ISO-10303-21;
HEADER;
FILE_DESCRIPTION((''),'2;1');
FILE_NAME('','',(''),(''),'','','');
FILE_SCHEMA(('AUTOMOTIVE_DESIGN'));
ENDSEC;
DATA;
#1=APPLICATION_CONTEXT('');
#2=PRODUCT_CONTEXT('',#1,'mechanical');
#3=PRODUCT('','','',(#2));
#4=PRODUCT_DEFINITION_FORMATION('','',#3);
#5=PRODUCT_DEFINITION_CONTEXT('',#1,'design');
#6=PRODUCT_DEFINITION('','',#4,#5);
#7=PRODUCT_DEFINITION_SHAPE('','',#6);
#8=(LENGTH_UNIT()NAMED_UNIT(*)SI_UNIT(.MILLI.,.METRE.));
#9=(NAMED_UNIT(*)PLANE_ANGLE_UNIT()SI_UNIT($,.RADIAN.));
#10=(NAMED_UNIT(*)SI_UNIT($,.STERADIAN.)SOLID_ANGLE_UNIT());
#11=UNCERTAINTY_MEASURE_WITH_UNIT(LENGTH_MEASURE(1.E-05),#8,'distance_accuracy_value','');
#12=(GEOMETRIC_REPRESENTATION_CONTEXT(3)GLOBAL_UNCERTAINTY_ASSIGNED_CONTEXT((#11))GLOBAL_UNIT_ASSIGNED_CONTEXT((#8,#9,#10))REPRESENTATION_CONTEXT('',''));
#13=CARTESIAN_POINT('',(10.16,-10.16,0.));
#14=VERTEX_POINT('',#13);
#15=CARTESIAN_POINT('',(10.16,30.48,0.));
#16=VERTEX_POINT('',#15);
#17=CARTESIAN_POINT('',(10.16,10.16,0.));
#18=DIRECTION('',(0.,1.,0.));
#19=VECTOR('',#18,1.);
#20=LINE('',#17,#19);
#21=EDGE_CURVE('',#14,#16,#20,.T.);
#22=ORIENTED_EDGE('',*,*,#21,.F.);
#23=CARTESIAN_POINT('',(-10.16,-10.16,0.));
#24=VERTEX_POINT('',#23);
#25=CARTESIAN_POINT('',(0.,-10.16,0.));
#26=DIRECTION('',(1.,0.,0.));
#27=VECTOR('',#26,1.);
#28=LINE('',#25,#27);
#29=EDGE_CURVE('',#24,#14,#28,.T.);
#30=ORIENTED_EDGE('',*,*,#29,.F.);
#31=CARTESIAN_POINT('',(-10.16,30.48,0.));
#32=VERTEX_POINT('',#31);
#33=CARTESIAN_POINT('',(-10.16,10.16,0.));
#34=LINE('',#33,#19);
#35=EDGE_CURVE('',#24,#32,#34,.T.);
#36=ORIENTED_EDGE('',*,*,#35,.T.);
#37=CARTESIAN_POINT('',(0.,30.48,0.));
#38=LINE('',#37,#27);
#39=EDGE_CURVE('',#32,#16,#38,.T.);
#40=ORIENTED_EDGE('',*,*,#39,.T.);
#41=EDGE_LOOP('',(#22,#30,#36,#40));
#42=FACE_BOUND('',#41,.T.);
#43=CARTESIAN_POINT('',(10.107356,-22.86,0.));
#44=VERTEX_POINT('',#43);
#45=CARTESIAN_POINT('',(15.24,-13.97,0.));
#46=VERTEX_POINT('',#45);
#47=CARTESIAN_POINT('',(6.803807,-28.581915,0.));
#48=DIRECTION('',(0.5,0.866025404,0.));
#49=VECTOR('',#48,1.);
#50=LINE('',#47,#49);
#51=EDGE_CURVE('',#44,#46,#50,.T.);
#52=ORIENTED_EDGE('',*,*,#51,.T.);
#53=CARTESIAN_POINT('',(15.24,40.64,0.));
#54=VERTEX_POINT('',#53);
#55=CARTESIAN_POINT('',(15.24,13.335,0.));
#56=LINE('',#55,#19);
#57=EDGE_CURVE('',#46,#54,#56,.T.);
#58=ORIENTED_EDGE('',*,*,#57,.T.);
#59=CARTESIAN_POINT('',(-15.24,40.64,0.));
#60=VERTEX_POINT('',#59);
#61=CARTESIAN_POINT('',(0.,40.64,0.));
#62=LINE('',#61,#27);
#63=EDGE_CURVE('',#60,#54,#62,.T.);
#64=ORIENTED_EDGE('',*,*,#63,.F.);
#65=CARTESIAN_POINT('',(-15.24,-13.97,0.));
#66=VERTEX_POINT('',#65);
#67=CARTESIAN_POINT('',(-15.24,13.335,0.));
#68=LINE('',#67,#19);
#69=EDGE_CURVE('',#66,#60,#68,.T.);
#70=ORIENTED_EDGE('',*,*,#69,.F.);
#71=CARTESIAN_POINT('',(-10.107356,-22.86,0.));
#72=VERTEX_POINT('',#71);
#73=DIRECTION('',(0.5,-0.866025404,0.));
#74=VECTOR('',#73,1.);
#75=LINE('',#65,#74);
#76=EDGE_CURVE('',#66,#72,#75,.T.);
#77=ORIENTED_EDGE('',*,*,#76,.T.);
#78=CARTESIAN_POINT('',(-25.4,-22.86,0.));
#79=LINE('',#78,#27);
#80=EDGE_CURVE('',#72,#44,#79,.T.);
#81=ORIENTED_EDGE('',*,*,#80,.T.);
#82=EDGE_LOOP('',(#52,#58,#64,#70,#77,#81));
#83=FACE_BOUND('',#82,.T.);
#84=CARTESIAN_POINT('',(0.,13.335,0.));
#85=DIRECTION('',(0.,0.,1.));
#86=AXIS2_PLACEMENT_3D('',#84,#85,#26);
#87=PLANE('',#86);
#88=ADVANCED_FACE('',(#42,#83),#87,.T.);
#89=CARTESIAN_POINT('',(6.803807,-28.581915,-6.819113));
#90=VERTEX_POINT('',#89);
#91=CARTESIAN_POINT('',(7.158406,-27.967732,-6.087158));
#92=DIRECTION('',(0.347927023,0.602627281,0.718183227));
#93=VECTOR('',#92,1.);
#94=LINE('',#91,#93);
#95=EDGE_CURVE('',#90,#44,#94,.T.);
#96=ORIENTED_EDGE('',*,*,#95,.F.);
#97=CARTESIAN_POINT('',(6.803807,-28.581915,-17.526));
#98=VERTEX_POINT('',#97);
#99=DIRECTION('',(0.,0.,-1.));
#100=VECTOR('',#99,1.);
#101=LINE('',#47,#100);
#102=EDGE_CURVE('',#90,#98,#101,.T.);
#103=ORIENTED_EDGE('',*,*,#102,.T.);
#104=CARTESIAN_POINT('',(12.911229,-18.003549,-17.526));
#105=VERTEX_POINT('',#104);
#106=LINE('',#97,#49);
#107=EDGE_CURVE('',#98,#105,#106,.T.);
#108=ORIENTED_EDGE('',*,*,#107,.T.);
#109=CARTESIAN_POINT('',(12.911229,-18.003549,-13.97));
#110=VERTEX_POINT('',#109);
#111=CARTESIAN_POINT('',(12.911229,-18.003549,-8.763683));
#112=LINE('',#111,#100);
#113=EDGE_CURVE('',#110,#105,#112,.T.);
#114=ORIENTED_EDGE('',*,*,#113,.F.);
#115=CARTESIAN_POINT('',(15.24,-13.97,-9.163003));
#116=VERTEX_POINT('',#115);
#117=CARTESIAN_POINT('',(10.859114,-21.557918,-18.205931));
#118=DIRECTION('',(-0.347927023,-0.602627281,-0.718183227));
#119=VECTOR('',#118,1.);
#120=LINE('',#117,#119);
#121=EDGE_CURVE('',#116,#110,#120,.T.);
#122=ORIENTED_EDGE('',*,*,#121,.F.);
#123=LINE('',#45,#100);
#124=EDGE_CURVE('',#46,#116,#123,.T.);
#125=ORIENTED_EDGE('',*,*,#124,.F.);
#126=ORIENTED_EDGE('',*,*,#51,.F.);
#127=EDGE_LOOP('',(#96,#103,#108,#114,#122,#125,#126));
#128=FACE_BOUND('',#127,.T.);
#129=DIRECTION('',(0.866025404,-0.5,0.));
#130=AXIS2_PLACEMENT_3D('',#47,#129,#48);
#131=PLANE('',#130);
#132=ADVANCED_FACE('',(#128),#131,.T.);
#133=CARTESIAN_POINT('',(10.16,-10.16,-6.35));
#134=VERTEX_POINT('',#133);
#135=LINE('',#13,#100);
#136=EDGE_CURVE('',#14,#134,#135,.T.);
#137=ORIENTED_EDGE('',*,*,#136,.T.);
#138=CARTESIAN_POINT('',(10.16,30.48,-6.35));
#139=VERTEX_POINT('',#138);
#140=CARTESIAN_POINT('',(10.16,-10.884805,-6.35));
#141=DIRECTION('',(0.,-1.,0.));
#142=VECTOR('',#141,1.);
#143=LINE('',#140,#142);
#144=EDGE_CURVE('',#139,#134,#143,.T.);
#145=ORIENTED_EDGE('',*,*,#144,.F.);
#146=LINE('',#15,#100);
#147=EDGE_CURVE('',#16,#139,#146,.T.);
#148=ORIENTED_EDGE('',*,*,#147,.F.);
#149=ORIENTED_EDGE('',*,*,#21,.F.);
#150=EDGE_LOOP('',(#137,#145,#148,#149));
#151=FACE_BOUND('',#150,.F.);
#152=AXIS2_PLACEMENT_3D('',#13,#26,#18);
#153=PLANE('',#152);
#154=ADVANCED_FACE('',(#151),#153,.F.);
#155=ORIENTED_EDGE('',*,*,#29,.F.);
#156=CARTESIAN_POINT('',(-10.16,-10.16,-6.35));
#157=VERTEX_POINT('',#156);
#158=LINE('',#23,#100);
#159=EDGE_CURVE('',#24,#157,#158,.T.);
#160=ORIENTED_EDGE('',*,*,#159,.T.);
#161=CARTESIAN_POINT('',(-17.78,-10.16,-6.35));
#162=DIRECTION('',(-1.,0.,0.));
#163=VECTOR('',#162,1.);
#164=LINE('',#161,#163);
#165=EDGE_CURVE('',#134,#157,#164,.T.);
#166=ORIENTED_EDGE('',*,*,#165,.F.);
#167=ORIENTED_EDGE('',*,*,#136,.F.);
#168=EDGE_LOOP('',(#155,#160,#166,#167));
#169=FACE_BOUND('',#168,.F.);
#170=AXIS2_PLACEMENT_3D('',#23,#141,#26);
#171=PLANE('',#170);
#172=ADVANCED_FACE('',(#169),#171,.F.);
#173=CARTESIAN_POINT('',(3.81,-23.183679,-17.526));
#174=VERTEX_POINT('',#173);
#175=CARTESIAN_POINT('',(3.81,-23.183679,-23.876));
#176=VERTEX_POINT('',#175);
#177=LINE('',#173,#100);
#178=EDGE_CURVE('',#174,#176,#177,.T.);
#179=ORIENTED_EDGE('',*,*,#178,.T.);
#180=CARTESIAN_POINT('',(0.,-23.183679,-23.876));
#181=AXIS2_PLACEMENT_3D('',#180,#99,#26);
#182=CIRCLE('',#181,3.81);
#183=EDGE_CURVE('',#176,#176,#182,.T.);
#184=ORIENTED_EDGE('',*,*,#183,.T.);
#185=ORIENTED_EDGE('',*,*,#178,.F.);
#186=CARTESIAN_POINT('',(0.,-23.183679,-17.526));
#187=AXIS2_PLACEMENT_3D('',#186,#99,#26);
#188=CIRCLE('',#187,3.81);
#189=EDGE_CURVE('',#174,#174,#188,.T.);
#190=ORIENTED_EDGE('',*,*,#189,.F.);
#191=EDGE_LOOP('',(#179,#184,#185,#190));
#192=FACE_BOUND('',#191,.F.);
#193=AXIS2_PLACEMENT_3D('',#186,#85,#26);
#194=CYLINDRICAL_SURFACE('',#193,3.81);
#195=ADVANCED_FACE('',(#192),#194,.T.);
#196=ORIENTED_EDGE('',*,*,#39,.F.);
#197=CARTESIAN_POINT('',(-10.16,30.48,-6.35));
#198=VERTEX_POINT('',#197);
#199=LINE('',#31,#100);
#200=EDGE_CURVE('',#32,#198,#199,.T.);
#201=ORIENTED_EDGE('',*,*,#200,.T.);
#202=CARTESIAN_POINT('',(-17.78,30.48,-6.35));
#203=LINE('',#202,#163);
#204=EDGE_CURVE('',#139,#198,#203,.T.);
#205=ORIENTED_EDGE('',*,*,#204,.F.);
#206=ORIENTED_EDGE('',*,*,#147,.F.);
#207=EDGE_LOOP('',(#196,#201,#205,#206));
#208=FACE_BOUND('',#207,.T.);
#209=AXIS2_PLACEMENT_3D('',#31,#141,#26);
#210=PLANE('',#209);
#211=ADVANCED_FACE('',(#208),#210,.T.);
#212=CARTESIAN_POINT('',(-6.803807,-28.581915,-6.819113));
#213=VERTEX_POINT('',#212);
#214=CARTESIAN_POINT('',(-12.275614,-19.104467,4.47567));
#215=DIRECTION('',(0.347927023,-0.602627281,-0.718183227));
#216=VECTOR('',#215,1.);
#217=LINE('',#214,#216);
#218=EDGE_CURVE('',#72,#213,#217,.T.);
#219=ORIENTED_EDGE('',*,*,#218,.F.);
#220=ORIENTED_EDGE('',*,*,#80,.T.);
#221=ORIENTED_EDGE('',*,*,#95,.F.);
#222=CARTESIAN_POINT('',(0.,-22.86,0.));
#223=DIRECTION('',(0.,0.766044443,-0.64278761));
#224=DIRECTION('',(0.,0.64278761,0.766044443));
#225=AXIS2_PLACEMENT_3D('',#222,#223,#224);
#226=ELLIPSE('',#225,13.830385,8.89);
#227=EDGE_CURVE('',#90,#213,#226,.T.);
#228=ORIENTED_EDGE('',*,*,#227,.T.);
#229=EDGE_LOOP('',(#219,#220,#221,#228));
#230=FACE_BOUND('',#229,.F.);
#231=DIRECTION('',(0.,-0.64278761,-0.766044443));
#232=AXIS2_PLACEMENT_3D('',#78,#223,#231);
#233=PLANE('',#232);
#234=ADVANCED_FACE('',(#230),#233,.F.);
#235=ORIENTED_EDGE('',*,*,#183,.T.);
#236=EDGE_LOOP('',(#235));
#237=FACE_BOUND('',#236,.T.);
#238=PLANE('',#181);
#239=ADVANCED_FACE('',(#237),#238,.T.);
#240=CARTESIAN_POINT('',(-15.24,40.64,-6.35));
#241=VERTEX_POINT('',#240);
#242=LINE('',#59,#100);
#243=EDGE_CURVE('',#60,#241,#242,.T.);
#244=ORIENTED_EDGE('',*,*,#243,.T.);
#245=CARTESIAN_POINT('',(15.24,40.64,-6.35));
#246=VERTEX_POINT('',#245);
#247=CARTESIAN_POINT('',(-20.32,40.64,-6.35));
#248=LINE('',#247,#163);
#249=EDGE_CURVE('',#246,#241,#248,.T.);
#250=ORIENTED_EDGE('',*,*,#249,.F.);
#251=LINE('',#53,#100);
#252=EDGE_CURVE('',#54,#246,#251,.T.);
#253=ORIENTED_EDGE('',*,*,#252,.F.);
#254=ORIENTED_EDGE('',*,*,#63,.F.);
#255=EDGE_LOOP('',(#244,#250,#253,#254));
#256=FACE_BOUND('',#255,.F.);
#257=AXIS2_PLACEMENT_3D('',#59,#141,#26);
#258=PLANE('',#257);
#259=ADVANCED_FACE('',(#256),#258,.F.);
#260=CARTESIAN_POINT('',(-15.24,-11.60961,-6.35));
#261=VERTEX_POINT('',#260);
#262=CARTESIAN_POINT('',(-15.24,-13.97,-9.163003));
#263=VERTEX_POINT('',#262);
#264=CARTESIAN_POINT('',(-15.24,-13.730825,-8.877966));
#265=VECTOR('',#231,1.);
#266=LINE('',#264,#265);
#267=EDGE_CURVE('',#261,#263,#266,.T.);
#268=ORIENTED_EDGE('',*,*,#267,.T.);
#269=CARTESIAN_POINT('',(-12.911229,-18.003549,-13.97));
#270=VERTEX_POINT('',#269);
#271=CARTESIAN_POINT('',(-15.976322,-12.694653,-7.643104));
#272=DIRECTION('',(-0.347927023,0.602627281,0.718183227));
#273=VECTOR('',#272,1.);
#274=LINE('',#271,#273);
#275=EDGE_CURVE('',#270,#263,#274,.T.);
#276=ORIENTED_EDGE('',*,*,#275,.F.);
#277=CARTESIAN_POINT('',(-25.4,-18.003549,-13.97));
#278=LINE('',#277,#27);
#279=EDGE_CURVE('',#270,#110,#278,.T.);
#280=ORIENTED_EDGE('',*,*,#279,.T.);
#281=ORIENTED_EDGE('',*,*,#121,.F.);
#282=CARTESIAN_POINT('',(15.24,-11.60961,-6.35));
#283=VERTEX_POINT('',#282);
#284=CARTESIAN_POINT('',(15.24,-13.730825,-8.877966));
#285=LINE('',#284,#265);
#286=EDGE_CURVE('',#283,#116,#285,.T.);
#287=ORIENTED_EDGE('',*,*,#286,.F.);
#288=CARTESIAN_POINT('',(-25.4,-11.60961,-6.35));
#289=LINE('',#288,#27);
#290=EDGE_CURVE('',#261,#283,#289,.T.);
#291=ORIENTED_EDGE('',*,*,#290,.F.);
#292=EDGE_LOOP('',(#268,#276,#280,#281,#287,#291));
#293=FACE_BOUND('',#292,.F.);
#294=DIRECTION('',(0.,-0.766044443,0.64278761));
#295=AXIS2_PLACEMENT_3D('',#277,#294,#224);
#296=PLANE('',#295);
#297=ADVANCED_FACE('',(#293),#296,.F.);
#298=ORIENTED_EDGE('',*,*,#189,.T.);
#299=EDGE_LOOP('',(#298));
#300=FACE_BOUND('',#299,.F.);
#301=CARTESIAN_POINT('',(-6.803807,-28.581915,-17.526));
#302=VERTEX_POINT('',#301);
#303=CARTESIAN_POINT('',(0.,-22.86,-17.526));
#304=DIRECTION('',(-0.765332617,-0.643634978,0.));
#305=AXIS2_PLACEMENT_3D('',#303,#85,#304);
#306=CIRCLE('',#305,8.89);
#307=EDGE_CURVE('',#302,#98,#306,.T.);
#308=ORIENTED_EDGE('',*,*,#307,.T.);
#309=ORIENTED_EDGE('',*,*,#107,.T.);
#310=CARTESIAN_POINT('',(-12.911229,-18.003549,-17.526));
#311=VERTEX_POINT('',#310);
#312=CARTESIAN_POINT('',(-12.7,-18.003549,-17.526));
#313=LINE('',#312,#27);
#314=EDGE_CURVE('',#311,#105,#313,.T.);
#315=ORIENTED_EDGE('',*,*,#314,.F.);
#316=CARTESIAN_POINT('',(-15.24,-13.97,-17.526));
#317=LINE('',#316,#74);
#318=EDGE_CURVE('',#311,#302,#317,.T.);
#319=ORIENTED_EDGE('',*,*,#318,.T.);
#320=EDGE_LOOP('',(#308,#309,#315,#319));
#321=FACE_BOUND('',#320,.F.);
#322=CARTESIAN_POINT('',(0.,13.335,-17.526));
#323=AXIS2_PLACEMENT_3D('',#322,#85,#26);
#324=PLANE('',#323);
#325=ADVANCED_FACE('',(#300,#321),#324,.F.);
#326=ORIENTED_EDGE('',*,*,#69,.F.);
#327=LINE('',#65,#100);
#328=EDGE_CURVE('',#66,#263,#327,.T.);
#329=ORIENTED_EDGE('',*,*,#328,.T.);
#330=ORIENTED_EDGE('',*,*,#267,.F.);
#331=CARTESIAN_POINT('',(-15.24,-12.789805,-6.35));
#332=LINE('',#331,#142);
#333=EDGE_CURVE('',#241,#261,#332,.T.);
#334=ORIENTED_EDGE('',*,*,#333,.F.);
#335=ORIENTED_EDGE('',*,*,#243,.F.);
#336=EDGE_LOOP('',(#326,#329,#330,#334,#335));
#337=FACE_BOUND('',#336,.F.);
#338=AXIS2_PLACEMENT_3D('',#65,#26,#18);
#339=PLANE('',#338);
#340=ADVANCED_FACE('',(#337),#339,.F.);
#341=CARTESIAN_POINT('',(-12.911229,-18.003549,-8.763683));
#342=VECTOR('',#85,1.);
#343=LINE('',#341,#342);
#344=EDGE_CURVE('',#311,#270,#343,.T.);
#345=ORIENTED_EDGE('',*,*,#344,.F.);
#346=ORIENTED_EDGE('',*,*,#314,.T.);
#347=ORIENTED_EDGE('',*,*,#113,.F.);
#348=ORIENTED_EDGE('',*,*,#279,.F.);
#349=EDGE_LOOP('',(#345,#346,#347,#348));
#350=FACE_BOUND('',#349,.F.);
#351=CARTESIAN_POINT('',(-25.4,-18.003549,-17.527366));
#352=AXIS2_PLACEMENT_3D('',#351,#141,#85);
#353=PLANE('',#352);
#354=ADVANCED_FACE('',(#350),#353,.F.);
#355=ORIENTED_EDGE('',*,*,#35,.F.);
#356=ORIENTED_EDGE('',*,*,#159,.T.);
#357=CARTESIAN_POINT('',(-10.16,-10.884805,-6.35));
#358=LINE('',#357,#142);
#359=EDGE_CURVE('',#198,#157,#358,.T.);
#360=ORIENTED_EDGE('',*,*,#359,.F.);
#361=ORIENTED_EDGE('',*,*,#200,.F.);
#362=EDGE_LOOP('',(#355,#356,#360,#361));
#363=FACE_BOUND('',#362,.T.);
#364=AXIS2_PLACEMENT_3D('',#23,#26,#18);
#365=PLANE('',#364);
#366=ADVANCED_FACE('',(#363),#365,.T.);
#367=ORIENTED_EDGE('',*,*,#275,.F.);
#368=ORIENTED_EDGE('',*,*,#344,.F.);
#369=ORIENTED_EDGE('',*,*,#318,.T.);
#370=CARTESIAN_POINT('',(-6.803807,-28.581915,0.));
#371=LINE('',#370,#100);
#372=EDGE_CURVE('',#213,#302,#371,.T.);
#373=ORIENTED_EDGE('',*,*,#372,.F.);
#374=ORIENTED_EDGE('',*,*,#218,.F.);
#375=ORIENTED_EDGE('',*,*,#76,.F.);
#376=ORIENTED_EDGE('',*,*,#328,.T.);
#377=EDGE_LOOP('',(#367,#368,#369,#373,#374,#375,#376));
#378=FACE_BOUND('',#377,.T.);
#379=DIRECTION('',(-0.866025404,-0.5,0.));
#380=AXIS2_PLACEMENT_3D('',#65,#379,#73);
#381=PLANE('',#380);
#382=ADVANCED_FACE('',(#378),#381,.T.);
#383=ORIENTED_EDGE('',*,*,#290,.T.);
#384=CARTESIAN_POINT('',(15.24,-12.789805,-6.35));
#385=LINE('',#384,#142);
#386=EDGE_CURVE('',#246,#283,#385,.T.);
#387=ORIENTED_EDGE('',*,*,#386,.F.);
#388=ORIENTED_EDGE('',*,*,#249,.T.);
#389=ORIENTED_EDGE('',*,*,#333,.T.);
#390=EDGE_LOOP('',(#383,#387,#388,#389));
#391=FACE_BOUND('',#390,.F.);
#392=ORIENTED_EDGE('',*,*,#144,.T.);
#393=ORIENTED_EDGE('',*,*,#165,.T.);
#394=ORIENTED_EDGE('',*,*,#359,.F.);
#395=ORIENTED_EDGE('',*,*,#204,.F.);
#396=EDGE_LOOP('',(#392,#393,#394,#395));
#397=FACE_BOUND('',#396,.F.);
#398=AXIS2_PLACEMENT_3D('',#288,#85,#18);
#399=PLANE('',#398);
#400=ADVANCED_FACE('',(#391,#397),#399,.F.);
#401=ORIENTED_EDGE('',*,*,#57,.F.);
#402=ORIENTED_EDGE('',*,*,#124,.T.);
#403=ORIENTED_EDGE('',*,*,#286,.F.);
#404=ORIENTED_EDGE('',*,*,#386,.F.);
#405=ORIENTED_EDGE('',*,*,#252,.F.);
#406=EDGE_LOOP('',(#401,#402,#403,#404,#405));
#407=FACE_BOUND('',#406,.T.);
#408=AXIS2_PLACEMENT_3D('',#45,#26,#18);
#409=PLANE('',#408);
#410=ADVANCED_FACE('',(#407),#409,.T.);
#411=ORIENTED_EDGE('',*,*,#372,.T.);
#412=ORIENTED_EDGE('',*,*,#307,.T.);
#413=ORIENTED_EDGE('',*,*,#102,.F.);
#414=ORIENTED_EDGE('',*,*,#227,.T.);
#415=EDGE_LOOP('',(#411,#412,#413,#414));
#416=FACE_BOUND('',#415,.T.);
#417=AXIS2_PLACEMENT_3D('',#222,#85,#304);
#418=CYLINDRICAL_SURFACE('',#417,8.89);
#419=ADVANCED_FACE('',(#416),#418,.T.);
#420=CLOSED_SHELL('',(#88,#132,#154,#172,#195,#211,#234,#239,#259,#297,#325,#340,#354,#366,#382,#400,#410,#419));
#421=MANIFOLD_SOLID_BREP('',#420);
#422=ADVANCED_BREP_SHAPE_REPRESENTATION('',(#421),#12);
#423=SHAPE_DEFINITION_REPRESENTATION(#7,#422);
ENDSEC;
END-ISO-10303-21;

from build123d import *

# Parameters (mm, degrees)
F0_W     = 30.48
F0_H     = 54.61
F0_W_2   = 20.32
F0_H_2   = 40.64
F2_DEPTH = 17.526
F4_START = -25.4
F4_DEPTH = 40.641
F5_R     = 3.81
F6_DEPTH = 6.35


with BuildPart() as f2:
    # F0 (on Top) → F2 (new body)
    with BuildSketch(Plane.XY):
        with Locations((0, 13.335)):
            Rectangle(F0_W, F0_H)
        with Locations((0, 10.16)):
            Rectangle(F0_W_2, F0_H_2, mode=Mode.SUBTRACT)
        with BuildLine():
            Line((15.24, -13.97), (-15.24, -13.97))
            Line((-15.24, -13.97), (-6.8038069676, -28.5819149546))
            ThreePointArc((-6.8038069676, -28.5819149546), (0, -31.75), (6.8038069676, -28.5819149546))
            Line((6.8038069676, -28.5819149546), (15.24, -13.97))
        make_face()
    extrude(amount=-F2_DEPTH)

    # F3 (on Right) → F4 (intersect)
    with BuildSketch(Plane.YZ.offset(F4_START)):
        Polygon((40.7838374376, 0), (0, 0), (-22.86, 0), (-31.9106747376, -10.7861741339), (-31.9106747376, -17.527366057), (-18.003549273, -17.527366057), (-18.003549273, -13.97), (-11.6096100835, -6.35), (40.7838374376, -6.35), align=None)
    extrude(amount=F4_DEPTH, mode=Mode.INTERSECT)

    # F5 (on face) → F6 (join)
    with BuildSketch(Plane(origin=(0, 0, -17.526), x_dir=(1, 0, 0), z_dir=(0, 0, -1))):
        with Locations((0, 23.183679186)):
            Circle(F5_R)
    extrude(amount=F6_DEPTH)


solid = f2.part
